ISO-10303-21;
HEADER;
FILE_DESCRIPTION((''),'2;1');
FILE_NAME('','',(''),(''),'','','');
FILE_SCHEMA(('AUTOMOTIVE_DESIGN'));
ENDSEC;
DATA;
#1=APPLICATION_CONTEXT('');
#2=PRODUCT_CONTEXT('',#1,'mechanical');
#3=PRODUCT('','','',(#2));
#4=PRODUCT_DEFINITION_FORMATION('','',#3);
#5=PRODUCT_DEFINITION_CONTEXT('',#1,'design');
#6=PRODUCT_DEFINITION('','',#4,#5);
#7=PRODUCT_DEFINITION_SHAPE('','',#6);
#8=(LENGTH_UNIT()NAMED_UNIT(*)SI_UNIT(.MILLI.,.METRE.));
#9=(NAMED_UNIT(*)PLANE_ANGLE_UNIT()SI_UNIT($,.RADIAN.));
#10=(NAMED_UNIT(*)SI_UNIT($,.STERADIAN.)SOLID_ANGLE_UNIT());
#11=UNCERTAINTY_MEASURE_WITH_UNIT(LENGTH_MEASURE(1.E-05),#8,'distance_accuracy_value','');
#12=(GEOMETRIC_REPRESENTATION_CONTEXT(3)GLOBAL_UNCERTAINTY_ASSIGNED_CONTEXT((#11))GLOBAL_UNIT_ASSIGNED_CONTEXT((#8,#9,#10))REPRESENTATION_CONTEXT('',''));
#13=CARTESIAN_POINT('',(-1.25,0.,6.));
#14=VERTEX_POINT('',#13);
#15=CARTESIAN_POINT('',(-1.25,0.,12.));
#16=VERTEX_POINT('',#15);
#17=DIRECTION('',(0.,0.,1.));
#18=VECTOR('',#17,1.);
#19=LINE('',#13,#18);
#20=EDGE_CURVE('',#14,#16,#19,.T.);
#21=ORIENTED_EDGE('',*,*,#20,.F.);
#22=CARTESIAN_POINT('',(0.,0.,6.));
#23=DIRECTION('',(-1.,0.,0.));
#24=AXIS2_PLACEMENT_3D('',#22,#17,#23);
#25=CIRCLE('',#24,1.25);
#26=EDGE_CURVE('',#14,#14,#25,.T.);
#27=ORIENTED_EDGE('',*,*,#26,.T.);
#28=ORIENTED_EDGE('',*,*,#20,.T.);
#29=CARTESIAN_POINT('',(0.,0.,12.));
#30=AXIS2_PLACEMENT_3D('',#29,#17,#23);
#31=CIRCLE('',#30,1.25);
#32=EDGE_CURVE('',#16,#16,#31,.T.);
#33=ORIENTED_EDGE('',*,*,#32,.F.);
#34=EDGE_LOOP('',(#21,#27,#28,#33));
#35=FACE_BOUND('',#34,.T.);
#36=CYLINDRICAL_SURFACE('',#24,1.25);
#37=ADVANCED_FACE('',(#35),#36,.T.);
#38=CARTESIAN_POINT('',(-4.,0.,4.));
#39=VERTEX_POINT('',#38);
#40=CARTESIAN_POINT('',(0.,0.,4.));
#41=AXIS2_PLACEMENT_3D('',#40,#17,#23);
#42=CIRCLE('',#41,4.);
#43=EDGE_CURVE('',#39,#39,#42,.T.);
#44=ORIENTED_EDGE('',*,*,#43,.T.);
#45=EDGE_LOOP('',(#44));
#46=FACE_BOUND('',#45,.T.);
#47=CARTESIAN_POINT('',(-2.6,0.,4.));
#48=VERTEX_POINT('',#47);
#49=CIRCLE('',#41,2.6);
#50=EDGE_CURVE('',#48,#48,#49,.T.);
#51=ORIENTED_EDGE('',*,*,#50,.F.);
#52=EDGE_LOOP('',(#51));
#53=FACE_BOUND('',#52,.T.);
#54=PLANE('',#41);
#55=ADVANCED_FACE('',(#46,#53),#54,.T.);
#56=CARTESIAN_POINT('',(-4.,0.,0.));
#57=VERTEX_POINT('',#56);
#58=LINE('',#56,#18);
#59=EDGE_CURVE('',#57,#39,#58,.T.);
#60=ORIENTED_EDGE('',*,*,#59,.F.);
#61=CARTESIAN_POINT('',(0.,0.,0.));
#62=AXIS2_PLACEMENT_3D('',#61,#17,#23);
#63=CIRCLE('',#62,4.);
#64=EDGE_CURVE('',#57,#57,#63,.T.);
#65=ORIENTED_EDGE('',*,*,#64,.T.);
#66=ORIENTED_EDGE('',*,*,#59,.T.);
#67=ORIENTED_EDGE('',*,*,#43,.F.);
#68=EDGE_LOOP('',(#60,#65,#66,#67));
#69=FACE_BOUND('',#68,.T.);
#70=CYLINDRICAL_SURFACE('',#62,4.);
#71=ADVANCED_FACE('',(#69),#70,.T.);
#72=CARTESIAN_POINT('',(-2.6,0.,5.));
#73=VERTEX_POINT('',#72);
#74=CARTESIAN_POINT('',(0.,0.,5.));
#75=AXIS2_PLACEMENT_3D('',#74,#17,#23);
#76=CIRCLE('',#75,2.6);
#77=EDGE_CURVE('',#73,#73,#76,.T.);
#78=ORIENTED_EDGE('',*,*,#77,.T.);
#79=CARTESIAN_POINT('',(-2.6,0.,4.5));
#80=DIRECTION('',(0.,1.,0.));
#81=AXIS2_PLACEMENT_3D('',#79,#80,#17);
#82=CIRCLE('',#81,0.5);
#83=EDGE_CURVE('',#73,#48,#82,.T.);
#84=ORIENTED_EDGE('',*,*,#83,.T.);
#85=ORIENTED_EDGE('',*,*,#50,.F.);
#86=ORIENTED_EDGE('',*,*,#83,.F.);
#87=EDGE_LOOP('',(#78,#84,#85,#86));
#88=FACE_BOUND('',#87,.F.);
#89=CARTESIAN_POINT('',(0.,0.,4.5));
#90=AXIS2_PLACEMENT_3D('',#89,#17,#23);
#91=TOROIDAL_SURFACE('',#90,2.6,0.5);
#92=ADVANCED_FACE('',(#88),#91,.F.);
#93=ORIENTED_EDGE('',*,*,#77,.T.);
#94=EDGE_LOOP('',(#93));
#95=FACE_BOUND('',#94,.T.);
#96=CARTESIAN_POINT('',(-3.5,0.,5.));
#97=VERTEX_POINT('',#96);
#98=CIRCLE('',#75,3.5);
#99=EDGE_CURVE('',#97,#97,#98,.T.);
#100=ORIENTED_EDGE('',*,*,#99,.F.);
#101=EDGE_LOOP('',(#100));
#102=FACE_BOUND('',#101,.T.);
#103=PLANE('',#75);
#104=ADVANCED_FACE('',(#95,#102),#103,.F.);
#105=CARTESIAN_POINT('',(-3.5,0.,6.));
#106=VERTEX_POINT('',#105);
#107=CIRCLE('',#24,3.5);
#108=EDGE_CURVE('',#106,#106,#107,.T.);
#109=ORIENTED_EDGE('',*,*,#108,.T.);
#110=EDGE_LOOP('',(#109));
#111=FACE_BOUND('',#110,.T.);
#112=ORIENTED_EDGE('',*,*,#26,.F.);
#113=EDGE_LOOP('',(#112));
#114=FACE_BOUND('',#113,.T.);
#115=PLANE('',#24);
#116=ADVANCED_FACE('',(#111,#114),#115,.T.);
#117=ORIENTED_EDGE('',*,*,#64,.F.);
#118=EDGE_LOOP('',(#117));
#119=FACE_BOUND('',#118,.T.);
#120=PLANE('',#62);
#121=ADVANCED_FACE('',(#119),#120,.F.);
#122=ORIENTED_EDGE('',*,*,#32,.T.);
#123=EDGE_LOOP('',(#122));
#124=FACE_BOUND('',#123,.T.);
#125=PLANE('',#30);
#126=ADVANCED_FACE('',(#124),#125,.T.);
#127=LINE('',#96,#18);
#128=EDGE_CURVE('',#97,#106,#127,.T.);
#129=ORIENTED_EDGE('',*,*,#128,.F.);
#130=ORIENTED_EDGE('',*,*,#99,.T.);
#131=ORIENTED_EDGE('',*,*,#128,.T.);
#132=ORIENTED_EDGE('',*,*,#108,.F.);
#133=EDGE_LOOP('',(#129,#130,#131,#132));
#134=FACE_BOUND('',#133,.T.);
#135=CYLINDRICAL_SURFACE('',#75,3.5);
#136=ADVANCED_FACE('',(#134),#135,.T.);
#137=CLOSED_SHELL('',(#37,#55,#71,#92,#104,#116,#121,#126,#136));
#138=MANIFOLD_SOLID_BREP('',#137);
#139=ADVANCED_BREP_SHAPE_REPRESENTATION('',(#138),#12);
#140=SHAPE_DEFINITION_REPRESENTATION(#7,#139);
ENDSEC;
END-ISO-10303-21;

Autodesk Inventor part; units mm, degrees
ref_plane "YZ Plane" through (0, 0, 0) normal (1, 0, 0) x (0, 1, 0)
ref_plane "XZ Plane" through (0, 0, 0) normal (0, 1, 0) x (-1, 0, 0)
ref_plane "XY Plane" through (0, 0, 0) normal (0, 0, 1) x (1, 0, 0)
sketch "スケッチ1" plane through (0, 0, 0) normal (0, 1, 0) x (-1, 0, 0)
  line L0 (0, 0) -> (0, 12)
  line L1 (0, 0) -> (4, 0)
  line L2 (4, 0) -> (4, 4)
  line L3 (4, 4) -> (2.6, 4)
  line L4 (2.6, 4) -> (2.6, 5) construction
  line L5 (2.6, 5) -> (3.5, 5)
  line L6 (3.5, 5) -> (3.5, 6)
  line L7 (3.5, 6) -> (1.25, 6)
  line L8 (1.25, 6) -> (1.25, 12)
  line L9 (1.25, 12) -> (0, 12)
  arc A0 (2.6, 5) -> (2.6, 4) centre (2.6, 4.5) ccw
  line L10 (2.6, 4.5) -> (2.1, 4.5) construction
  dimension "d1" = 4
  dimension "d2" = 1.25
  dimension "d3" = 3.5
  dimension "d4" = 1
  dimension "d5" = 6
  dimension "d7" = 4
  dimension "d8" = 6
  dimension "d11" = 2.1
revolve "回転1" add sketch "スケッチ1" angle 360 about axis through (0, 0, 0) along (0, 0, 1)
properties part number "SPNFL-BRN-M3-6" material "ステンレス鋼 AISI 304"
